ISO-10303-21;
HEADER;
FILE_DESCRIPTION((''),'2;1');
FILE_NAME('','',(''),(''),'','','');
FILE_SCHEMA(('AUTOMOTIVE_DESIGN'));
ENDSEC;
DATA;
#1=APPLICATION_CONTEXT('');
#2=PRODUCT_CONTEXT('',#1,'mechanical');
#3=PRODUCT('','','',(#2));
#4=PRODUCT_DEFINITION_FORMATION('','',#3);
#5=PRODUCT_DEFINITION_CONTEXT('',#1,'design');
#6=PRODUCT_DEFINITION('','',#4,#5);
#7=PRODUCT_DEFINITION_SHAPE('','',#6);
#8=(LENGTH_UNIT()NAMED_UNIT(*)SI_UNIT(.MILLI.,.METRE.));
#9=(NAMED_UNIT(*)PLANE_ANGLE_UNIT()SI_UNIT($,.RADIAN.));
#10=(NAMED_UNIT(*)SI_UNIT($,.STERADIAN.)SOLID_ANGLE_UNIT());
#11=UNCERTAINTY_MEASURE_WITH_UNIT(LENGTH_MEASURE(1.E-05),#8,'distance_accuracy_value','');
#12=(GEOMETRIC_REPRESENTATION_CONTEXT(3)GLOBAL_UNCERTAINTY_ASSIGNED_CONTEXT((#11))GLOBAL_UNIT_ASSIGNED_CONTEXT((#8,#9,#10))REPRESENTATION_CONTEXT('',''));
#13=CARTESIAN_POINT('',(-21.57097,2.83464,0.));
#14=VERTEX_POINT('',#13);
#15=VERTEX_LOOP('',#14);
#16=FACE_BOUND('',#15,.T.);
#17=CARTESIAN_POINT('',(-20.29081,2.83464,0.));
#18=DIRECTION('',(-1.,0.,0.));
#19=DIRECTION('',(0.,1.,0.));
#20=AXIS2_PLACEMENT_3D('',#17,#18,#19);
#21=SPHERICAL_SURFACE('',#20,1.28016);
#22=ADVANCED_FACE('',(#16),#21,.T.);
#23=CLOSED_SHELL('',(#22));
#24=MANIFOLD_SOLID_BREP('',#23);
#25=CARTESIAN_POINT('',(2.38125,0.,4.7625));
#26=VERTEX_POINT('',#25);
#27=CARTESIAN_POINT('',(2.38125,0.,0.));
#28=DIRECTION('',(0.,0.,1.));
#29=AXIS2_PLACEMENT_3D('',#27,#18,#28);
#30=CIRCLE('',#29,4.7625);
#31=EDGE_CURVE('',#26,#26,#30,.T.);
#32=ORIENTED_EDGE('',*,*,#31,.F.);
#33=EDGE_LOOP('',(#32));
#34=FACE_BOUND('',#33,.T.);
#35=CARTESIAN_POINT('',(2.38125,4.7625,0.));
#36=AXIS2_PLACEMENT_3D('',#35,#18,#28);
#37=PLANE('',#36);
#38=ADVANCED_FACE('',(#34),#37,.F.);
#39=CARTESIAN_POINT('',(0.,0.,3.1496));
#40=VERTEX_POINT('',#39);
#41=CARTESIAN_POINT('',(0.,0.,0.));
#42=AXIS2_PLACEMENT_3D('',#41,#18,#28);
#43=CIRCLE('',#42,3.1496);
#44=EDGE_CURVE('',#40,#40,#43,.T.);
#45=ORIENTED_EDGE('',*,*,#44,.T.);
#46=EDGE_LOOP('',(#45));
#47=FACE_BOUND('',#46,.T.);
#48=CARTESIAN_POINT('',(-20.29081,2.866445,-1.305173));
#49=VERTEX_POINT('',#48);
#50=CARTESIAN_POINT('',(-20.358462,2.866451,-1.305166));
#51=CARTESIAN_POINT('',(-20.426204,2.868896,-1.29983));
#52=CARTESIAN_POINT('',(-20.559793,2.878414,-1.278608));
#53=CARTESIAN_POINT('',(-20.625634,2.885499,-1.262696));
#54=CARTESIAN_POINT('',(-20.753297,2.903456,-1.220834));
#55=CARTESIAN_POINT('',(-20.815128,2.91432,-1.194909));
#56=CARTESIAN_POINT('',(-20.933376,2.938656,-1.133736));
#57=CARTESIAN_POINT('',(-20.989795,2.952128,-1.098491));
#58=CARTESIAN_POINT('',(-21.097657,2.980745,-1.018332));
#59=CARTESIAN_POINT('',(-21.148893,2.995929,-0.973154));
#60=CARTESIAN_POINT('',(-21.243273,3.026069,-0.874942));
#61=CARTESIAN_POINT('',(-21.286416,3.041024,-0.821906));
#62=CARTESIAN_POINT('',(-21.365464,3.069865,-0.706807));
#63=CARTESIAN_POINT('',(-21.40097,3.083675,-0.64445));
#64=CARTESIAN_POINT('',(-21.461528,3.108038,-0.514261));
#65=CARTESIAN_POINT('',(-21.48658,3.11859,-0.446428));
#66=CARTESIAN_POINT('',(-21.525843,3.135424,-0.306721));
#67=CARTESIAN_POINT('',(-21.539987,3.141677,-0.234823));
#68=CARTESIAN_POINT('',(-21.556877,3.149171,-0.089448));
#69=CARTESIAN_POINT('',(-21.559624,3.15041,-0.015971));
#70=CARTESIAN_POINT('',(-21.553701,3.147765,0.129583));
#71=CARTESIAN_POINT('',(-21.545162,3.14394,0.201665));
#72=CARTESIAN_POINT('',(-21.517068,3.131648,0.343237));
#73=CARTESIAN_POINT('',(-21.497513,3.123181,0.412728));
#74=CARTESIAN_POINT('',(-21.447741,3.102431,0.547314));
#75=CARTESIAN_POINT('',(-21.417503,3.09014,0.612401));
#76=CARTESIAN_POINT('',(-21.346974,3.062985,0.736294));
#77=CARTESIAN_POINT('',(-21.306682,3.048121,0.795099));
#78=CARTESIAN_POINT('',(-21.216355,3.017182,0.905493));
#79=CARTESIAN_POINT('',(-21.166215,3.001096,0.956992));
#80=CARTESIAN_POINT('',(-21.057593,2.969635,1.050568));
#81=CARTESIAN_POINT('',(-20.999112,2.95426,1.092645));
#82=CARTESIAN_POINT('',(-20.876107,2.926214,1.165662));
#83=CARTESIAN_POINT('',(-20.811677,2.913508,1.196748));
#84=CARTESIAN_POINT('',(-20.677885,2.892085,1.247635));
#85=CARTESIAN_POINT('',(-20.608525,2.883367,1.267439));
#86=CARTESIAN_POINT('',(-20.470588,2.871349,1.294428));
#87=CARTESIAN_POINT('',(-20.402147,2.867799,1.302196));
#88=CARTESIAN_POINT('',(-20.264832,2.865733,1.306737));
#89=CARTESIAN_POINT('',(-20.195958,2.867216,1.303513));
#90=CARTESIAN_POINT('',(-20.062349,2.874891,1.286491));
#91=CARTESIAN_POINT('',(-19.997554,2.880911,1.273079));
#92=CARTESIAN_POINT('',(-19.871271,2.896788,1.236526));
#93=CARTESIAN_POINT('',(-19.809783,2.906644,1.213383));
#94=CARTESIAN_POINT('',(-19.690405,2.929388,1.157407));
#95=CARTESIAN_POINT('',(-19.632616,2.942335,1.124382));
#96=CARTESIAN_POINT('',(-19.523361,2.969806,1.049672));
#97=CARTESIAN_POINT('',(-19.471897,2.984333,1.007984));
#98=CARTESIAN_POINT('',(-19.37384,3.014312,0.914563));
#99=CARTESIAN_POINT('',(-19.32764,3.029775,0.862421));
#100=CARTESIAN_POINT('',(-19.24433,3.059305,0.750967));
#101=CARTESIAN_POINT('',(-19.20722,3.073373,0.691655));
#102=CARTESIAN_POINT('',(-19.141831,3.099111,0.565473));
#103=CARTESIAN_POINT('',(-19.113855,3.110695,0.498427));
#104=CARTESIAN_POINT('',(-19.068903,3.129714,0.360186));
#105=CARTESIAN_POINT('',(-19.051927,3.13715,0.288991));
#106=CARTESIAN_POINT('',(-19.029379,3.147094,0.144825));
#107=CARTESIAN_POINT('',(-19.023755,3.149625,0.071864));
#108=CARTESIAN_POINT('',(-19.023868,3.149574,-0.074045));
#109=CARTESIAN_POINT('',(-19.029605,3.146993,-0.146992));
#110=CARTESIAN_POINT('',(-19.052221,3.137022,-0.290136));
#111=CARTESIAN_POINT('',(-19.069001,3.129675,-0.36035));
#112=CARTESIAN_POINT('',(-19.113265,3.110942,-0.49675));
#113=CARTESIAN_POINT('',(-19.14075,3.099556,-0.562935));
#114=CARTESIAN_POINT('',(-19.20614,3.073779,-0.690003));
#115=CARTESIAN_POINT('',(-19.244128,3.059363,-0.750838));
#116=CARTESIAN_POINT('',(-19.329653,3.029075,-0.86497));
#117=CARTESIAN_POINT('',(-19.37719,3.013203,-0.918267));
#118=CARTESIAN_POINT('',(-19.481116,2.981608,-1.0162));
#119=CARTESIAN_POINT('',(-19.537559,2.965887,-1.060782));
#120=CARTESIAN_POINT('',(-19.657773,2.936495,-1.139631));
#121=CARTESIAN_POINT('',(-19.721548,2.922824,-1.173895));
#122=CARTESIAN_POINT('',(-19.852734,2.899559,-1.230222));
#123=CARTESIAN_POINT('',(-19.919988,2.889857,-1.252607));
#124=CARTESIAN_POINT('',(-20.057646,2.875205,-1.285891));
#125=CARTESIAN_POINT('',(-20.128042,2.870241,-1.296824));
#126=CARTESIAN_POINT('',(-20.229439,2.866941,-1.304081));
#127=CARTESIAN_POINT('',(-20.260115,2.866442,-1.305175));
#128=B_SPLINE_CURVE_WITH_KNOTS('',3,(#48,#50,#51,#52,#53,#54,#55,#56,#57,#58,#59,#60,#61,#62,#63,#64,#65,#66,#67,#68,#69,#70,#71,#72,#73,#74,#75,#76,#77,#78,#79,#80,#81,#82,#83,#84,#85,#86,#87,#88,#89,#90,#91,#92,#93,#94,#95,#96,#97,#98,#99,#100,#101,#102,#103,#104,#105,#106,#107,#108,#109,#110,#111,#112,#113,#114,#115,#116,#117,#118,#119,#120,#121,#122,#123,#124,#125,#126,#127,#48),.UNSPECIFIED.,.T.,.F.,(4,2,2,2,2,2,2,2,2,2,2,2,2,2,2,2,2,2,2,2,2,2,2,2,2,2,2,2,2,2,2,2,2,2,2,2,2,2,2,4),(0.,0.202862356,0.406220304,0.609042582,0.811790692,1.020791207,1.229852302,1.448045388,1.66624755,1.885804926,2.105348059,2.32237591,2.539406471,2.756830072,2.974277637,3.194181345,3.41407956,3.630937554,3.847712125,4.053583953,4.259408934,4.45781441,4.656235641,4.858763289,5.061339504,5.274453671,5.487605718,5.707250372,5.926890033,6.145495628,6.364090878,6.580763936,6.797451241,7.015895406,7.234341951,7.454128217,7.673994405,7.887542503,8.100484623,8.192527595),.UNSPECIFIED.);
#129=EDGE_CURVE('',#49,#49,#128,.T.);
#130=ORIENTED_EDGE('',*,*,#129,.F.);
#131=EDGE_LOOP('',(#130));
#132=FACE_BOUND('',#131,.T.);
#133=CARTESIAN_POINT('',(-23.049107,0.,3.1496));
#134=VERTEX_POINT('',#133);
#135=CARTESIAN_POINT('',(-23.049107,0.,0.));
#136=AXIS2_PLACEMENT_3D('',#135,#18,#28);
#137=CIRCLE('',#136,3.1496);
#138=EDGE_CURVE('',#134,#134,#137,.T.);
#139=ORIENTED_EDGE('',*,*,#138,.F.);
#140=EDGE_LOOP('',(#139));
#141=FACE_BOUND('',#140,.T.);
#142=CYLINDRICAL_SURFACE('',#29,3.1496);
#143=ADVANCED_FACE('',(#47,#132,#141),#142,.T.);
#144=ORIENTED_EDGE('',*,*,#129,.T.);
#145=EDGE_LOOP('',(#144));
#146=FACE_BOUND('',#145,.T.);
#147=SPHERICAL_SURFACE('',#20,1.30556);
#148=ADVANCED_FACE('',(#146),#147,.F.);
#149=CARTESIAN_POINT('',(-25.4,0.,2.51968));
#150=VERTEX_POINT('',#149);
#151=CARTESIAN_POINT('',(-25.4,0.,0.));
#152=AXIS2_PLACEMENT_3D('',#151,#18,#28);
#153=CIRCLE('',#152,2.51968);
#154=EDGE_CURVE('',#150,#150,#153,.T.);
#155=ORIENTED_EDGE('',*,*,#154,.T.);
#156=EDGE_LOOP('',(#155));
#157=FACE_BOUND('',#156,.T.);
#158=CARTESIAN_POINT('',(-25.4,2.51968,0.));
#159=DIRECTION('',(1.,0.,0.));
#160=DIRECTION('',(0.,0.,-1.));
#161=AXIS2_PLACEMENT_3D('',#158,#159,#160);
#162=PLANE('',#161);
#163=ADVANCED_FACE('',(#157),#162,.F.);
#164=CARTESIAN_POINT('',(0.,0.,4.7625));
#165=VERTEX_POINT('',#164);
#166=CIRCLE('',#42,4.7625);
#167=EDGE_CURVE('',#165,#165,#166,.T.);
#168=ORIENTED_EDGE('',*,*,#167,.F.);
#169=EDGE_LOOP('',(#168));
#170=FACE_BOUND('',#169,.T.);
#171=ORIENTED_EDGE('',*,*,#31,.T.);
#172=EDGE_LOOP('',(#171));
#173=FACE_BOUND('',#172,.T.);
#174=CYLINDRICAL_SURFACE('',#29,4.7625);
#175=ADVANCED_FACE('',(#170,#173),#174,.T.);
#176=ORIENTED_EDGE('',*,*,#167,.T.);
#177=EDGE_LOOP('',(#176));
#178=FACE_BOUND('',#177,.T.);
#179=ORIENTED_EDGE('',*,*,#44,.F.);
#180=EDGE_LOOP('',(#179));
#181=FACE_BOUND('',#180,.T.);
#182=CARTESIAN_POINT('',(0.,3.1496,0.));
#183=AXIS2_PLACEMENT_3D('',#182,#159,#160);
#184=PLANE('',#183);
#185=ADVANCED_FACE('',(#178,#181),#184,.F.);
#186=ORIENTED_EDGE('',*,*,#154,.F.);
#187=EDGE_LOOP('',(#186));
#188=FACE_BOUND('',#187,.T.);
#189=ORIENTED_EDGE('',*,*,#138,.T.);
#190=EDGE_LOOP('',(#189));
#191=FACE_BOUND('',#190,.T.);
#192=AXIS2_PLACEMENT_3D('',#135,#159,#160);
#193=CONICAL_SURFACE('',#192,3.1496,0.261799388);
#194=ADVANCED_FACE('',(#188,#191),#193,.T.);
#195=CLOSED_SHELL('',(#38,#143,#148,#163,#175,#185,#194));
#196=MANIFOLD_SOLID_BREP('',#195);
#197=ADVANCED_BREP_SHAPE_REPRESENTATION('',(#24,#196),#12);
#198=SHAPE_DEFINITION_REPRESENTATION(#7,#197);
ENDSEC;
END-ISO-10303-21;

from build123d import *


with BuildPart() as part:
    # Sketch1 → Revolve1 (revolve)
    with BuildSketch(Plane.XY, mode=Mode.PRIVATE) as revolve1_sk:
        Polygon((2.38125, 4.7625), (0, 4.7625), (0, 3.1496), (-23.049106555, 3.1496), (-25.4, 2.51968), (-25.4, 0), (2.38125, 0), align=None)
    revolve(revolve1_sk.sketch.rotate(Axis((2.38125, 0, 0), (1, 0, 0)), 90), axis=Axis((2.38125, 0, 0), (1, 0, 0)))

    # Sketch2 → Cut-Revolve1 (revolve, cut)
    with BuildSketch(Plane.XY):
        with BuildLine():
            Line((-18.985250148, 2.83464), (-21.596370148, 2.83464))
            ThreePointArc((-21.596370148, 2.83464), (-20.290810148, 4.1402), (-18.985250148, 2.83464))
        make_face()
    revolve(axis=Axis((-18.985250148, 2.83464, 0), (1, 0, 0)), mode=Mode.SUBTRACT)


with BuildPart() as body_2:
    # Sketch3 → Revolve2 (revolve)
    with BuildSketch(Plane.XY):
        with BuildLine():
            Line((-19.010650148, 2.83464), (-21.570970148, 2.83464))
            ThreePointArc((-21.570970148, 2.83464), (-20.290810148, 4.1148), (-19.010650148, 2.83464))
        make_face()
    revolve(axis=Axis((-19.010650148, 2.83464, 0), (1, 0, 0)))


solid = Compound([part.part, body_2.part])
